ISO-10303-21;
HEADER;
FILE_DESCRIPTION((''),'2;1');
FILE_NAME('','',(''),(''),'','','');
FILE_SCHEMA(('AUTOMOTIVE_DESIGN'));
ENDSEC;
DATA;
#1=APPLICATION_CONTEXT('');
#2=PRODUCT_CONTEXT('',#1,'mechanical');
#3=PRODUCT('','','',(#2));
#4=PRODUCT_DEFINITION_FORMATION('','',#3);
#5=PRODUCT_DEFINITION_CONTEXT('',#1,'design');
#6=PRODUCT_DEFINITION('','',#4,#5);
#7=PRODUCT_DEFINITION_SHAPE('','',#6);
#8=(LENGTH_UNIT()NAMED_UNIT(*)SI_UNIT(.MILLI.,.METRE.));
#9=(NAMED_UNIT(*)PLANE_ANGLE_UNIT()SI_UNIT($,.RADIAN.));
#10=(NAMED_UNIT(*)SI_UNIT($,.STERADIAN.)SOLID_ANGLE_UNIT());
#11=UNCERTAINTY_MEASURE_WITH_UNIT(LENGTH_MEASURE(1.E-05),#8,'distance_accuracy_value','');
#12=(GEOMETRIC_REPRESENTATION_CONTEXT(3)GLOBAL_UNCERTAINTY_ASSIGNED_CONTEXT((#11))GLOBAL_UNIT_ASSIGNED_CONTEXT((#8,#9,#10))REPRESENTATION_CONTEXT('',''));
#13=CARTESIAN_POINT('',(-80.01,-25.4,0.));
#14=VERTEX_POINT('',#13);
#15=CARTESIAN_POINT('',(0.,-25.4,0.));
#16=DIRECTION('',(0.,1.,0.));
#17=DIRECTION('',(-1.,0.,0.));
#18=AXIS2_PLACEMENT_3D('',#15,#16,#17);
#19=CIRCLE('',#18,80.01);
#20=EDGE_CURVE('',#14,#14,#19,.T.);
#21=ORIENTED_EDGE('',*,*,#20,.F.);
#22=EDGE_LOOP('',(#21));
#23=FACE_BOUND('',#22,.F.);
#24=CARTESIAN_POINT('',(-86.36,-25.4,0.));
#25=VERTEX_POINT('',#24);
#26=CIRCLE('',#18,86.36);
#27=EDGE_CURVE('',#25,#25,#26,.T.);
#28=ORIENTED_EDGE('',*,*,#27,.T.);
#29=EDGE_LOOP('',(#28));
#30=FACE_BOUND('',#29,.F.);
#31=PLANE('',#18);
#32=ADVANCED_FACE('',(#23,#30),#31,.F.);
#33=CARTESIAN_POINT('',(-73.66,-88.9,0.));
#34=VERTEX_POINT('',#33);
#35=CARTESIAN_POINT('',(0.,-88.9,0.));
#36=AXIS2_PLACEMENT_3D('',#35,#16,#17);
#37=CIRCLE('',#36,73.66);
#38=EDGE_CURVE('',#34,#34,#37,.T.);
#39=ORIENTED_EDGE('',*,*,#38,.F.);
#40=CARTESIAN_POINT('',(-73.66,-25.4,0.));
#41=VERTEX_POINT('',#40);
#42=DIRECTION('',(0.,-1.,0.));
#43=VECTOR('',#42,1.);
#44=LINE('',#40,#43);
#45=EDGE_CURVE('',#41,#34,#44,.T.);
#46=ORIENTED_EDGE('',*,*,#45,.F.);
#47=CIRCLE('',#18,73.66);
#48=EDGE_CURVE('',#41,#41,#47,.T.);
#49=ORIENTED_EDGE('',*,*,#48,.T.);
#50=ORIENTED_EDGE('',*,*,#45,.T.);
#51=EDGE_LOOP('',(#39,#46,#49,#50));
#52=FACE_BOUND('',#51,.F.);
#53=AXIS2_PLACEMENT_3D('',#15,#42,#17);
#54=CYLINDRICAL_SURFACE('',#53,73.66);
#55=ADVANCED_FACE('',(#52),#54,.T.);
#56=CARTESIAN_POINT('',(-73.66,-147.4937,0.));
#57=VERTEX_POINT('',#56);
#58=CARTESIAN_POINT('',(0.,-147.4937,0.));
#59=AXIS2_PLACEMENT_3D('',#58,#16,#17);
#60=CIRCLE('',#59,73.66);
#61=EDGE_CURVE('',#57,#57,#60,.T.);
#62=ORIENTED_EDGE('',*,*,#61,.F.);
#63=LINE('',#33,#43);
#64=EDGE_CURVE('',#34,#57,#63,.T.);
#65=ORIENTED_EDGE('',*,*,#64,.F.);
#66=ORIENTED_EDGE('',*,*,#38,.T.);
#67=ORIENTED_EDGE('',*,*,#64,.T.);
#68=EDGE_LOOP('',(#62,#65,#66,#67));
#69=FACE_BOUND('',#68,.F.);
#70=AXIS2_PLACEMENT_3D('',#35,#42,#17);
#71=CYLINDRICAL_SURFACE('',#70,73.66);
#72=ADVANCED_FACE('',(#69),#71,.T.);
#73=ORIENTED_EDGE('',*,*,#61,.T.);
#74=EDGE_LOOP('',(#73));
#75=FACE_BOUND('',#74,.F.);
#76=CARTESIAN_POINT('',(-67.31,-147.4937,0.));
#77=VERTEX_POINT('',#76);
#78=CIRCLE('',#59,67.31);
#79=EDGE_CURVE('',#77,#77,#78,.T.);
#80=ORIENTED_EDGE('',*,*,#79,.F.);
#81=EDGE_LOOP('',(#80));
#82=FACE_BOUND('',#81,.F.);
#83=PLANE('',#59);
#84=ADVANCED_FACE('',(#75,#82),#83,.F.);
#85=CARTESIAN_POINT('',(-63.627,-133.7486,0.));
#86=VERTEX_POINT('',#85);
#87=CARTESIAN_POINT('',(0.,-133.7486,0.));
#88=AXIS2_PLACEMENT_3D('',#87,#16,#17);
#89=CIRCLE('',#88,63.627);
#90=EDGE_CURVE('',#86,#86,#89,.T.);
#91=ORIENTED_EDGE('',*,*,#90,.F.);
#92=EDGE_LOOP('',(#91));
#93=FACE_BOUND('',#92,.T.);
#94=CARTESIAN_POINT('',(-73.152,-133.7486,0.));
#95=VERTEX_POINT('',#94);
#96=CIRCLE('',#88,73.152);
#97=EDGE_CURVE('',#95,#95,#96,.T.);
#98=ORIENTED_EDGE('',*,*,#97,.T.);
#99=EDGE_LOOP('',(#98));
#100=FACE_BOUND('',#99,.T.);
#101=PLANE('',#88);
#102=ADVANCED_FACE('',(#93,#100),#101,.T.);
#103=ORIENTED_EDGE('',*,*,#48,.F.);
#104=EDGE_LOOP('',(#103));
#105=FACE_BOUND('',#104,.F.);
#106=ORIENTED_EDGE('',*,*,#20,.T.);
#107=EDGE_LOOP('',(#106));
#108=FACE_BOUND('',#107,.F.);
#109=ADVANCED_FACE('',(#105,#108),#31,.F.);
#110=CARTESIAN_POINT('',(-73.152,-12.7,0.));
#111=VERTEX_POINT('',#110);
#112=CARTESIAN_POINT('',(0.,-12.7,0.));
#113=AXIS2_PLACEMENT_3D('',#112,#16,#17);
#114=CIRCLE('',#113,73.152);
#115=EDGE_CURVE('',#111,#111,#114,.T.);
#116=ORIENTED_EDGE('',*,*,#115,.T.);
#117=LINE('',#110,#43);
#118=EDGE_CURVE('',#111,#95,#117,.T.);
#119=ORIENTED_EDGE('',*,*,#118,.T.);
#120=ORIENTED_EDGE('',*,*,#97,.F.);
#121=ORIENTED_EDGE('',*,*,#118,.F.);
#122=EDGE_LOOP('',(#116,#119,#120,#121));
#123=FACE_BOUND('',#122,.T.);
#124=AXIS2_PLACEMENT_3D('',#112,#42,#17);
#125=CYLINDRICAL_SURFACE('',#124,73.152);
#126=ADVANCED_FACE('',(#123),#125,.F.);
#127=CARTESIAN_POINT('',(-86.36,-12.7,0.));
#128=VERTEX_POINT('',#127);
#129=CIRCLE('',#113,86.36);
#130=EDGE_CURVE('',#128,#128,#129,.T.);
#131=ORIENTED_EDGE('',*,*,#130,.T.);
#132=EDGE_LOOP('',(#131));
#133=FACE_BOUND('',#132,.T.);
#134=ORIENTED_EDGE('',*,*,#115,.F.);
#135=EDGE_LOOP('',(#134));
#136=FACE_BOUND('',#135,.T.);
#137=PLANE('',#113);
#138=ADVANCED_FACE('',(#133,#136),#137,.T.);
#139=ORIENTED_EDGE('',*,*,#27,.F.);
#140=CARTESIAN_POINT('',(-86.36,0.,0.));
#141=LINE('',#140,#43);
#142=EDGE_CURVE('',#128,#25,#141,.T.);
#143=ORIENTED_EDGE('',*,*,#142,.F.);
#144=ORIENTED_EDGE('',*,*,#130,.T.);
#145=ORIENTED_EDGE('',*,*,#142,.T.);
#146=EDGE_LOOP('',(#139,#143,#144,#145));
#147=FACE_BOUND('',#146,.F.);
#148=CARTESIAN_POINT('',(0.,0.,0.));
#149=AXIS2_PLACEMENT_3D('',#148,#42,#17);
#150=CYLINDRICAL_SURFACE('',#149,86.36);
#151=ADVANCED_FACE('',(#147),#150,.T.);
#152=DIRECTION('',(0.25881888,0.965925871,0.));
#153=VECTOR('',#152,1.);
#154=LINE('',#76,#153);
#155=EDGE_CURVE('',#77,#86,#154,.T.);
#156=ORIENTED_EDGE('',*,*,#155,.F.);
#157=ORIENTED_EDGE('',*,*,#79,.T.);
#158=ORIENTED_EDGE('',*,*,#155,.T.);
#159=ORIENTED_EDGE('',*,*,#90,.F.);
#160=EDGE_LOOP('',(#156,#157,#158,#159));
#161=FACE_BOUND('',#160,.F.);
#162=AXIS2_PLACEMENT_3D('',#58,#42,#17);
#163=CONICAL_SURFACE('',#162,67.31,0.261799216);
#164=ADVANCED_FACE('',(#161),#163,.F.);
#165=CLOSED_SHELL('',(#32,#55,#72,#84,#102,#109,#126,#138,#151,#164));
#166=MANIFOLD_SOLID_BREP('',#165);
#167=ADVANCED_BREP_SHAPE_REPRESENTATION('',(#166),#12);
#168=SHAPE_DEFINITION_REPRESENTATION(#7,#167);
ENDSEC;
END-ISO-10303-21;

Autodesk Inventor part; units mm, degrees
ref_plane "YZ Plane" through (0, 0, 0) normal (1, 0, 0) x (0, 1, 0)
ref_plane "XZ Plane" through (0, 0, 0) normal (0, 1, 0) x (-1, 0, 0)
ref_plane "XY Plane" through (0, 0, 0) normal (0, 0, 1) x (1, 0, 0)
sketch "Sketch1" plane through (0, 0, 0) normal (0, 0, 1) x (1, 0, 0)
  line L0 (0, 25.4) -> (-28.702, 25.4) construction
  line L1 (0, 25.4) -> (-86.36, 25.4) construction
  line L2 (-86.36, 25.4) -> (-80.01, 25.4) construction
  line L3 (-80.01, 25.4) -> (-73.66, 22.4389) construction
  line L4 (-80.01, 25.4) -> (-80.01, 22.4389) construction
  line L5 (-80.01, 0) -> (-86.36, 0)
  line L6 (-28.702, 59.6457) -> (-28.702, -91.9304) construction
  arc A0 (-28.9184, -4.2142) -> (-32.3684, 3.1843) centre (-35.052, -2.5707) ccw
  line L7 (-67.31, -147.4937) -> (-28.9184, -4.2142)
  line L8 (-80.01, 22.4389) -> (-73.66, 22.4389)
  line L9 (-80.01, 22.4389) -> (-80.01, 0)
  line L10 (-73.66, 22.4389) -> (-32.3684, 3.1843)
  line L11 (-28.702, -2.5707) -> (-60.452, -2.5707) construction
  line L12 (-60.452, 16.28) -> (-60.452, -121.8993) construction
  line L13 (-60.452, -121.8993) -> (-54.102, -121.8993) construction
  line L14 (-54.102, -121.8993) -> (-54.102, -98.2008) construction
  line L15 (-54.102, -98.2008) -> (-60.452, -98.2008)
  line L16 (-60.452, 16.28) -> (-60.452, 6.755) construction
  line L17 (-60.452, 16.28) -> (-60.452, 9.93) construction
  line L18 (-60.452, 9.93) -> (-46.8344, 9.93)
  line L19 (-60.452, 9.93) -> (-60.452, -98.2008)
  line L20 (-86.36, 0) -> (-86.36, -12.7) construction
  line L21 (-60.452, -12.7) -> (-73.152, -12.7) construction
  line L22 (-86.36, -12.7) -> (-86.36, -25.4) construction
  line L23 (-86.36, -25.4) -> (-86.36, -88.9) construction
  line L24 (-86.36, -88.9) -> (-73.66, -88.9) construction
  line L25 (-73.66, -88.9) -> (-73.66, -25.4) construction
  line L26 (-86.36, -25.4) -> (-73.66, -25.4)
  line L27 (-73.66, -25.4) -> (-73.66, -88.9)
  line L28 (-73.66, -88.9) -> (-86.36, -88.9)
  line L29 (-86.36, -12.7) -> (-73.152, -12.7)
  line L30 (-73.152, -133.7486) -> (-63.627, -133.7486)
  line L31 (-73.66, -88.9) -> (-73.66, -147.4937)
  line L32 (-73.66, -147.4937) -> (-67.31, -147.4937)
  line L33 (-73.152, -12.7) -> (-73.152, -133.7486)
  line L34 (-80.01, -25.4) -> (-80.01, -31.3436)
  line L35 (-80.01, -31.3436) -> (-86.36, -31.3436)
  line L36 (-86.36, 0) -> (-86.36, -25.4)
  line L37 (-86.36, -31.3436) -> (-86.36, -88.9)
  line L38 (0, -319.0244) -> (0, 122.7573) projected
  point P0 (0, 0)
  point P1 (-86.36, -255.9127)
  point P2 (-76.835, 22.4389)
  dimension "d0" = 28.702
  dimension "d1" = 86.36
  dimension "d2" = 6.35
  dimension "d3" = 25
  dimension "d5" = 25.4
  dimension "d6" = 25.4
  dimension "d8" = 12.7
  dimension "d11" = 6.35
  dimension "d12" = 31.75
  dimension "d13" = 6.35
  dimension "d15" = 6.35
  dimension "d16" = 12.7
  dimension "d17" = 12.7
  dimension "d18" = 12.7
  dimension "d19" = 63.5
  dimension "d20" = 12.7
  dimension "d22" = 9.525
  dimension "d23" = 6.35
  dimension "d25" = 5.9436
  dimension "d26" = 15
  dimension "d30" = 67.31
revolve "Revolution3" add sketch "Sketch1" angle 360 about axis through (0, -10, 0) along (0, 1, 0) contours L29 L33 L30 L7 L32 L31 L27 L26 L36
properties part number "Carrier Master Sketch" material "Aluminum 6061"
